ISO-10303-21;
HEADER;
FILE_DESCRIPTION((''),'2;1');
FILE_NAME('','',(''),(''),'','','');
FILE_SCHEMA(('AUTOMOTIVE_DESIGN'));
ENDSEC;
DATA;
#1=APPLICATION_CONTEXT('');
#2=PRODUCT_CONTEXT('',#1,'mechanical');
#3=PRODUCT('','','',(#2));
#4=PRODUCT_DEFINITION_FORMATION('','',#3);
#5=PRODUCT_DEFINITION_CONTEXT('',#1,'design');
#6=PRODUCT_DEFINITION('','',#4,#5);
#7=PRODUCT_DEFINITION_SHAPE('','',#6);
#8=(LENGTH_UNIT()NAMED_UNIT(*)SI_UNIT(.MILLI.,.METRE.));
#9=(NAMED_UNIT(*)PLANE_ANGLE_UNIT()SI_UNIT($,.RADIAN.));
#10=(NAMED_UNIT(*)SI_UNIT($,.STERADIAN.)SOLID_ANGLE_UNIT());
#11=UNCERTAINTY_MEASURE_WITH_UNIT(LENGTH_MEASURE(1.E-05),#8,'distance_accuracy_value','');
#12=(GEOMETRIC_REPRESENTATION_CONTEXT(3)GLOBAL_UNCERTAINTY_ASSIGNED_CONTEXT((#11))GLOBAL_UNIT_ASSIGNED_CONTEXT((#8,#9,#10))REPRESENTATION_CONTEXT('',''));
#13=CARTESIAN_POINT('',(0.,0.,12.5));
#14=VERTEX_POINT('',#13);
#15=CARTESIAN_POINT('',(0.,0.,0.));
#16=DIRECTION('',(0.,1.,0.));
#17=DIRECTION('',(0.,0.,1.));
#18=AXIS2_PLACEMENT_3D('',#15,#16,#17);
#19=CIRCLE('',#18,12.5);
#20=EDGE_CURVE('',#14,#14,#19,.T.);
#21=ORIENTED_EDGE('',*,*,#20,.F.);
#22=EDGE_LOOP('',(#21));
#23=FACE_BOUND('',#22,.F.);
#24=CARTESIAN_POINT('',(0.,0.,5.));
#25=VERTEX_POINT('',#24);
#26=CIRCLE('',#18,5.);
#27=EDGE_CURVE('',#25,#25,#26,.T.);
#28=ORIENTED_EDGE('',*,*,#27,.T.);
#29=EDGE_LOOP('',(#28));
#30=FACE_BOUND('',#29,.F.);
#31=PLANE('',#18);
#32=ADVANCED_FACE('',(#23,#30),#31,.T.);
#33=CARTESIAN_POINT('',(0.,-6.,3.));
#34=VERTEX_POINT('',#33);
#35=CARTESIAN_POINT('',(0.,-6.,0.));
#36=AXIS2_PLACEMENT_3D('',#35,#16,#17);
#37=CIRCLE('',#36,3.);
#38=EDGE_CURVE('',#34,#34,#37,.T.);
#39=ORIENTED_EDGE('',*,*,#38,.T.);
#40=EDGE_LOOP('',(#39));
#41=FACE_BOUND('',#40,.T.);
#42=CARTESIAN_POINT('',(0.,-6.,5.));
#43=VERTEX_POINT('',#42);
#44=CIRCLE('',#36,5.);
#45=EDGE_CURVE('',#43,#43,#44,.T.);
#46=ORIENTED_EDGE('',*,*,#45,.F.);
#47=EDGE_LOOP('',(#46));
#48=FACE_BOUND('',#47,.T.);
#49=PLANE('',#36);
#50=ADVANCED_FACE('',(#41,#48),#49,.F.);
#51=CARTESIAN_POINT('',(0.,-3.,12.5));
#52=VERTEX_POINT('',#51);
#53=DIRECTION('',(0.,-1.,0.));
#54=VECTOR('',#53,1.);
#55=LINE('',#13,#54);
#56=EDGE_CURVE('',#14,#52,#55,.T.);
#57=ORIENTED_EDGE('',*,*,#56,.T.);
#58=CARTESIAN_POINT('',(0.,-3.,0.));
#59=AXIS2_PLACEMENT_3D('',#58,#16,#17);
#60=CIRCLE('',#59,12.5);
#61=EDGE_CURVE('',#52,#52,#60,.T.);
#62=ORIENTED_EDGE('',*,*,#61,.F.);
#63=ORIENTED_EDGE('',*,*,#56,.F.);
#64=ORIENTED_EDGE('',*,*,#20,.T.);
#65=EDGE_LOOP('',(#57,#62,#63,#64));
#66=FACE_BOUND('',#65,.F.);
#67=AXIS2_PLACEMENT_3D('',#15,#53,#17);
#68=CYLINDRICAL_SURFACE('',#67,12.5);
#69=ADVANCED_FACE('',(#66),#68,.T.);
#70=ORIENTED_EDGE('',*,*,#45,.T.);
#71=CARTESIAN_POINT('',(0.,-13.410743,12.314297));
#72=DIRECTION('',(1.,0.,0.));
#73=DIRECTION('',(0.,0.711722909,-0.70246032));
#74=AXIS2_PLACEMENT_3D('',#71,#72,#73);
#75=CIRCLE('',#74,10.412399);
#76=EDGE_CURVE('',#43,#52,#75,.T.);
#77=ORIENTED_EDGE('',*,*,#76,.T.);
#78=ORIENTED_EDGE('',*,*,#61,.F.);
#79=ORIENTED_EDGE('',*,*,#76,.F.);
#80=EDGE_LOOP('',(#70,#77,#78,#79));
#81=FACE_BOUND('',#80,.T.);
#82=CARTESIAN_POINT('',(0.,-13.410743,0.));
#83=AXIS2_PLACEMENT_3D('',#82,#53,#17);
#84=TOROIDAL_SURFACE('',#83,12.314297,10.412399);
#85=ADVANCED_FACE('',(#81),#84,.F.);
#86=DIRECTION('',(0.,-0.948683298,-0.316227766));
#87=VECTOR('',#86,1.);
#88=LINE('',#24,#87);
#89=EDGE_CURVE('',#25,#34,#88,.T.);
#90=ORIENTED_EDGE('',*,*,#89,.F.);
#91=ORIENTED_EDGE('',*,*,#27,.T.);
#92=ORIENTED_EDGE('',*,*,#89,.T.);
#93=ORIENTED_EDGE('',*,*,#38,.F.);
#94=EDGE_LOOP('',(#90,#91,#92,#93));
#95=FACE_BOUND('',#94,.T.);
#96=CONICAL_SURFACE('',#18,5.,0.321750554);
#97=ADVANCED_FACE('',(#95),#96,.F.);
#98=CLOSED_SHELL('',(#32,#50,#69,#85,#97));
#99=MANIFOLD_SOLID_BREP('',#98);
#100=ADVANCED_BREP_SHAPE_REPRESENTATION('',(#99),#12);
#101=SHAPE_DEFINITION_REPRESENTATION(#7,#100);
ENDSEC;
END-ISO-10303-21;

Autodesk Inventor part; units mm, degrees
ref_plane "YZ Plane" through (0, 0, 0) normal (1, 0, 0) x (0, 1, 0)
ref_plane "XY Plane" through (0, 0, 0) normal (0, 0, 1) x (1, 0, 0)
sketch "Sketch1" plane through (0, 0, 0) normal (0, 1, 0) x (-1, 0, 0)
  circle A0 centre (0, 0) radius 12.5
  circle A1 centre (0, 0) radius 5
  dimension "d0" = 25
  dimension "d1" = 10
ref_plane "Work Plane1" through (0, -6, 0) normal (0, 1, 0) x (-1, 0, 0)
sketch "Sketch2" plane through (0, -6, 0) normal (0, 1, 0) x (-1, 0, 0)
  circle A0 centre (0, 0) radius 3
  circle A1 centre (0, 0) radius 5
  dimension "d3" = 6
  dimension "d4" = 10
sketch "Sketch3" plane through (0, 0, 0) normal (1, 0, 0) x (0, 1, 0)
  line L0 (-6, -5) -> (-6, 5) projected
  line L1 (0, -12.5) -> (0, 12.5) projected
  line L2 (0, 12.5) -> (-3, 12.5)
  line L3 (0, 12.5) -> (3, 12.5) construction
  arc A0 (-6, 5) -> (-3, 12.5) centre (-13.4109, 12.3144) ccw
  line L4 (0, -5) -> (0, 5) projected
  line L5 (-6, -3) -> (-6, 3) projected
  line L6 (0, 5) -> (-6, 3)
  line L7 (-16.6931, 0) -> (6.2822, 0) projected
  point P0 (0, 0)
  dimension "d5" = 3
  dimension "d6" = 180
revolve "Revolution1" add sketch "Sketch3" angle 360 about axis through (0, -10, 0) along (0, 1, 0) contours L0 A0 L2 L1 L6
properties part number "clamp_cup"
